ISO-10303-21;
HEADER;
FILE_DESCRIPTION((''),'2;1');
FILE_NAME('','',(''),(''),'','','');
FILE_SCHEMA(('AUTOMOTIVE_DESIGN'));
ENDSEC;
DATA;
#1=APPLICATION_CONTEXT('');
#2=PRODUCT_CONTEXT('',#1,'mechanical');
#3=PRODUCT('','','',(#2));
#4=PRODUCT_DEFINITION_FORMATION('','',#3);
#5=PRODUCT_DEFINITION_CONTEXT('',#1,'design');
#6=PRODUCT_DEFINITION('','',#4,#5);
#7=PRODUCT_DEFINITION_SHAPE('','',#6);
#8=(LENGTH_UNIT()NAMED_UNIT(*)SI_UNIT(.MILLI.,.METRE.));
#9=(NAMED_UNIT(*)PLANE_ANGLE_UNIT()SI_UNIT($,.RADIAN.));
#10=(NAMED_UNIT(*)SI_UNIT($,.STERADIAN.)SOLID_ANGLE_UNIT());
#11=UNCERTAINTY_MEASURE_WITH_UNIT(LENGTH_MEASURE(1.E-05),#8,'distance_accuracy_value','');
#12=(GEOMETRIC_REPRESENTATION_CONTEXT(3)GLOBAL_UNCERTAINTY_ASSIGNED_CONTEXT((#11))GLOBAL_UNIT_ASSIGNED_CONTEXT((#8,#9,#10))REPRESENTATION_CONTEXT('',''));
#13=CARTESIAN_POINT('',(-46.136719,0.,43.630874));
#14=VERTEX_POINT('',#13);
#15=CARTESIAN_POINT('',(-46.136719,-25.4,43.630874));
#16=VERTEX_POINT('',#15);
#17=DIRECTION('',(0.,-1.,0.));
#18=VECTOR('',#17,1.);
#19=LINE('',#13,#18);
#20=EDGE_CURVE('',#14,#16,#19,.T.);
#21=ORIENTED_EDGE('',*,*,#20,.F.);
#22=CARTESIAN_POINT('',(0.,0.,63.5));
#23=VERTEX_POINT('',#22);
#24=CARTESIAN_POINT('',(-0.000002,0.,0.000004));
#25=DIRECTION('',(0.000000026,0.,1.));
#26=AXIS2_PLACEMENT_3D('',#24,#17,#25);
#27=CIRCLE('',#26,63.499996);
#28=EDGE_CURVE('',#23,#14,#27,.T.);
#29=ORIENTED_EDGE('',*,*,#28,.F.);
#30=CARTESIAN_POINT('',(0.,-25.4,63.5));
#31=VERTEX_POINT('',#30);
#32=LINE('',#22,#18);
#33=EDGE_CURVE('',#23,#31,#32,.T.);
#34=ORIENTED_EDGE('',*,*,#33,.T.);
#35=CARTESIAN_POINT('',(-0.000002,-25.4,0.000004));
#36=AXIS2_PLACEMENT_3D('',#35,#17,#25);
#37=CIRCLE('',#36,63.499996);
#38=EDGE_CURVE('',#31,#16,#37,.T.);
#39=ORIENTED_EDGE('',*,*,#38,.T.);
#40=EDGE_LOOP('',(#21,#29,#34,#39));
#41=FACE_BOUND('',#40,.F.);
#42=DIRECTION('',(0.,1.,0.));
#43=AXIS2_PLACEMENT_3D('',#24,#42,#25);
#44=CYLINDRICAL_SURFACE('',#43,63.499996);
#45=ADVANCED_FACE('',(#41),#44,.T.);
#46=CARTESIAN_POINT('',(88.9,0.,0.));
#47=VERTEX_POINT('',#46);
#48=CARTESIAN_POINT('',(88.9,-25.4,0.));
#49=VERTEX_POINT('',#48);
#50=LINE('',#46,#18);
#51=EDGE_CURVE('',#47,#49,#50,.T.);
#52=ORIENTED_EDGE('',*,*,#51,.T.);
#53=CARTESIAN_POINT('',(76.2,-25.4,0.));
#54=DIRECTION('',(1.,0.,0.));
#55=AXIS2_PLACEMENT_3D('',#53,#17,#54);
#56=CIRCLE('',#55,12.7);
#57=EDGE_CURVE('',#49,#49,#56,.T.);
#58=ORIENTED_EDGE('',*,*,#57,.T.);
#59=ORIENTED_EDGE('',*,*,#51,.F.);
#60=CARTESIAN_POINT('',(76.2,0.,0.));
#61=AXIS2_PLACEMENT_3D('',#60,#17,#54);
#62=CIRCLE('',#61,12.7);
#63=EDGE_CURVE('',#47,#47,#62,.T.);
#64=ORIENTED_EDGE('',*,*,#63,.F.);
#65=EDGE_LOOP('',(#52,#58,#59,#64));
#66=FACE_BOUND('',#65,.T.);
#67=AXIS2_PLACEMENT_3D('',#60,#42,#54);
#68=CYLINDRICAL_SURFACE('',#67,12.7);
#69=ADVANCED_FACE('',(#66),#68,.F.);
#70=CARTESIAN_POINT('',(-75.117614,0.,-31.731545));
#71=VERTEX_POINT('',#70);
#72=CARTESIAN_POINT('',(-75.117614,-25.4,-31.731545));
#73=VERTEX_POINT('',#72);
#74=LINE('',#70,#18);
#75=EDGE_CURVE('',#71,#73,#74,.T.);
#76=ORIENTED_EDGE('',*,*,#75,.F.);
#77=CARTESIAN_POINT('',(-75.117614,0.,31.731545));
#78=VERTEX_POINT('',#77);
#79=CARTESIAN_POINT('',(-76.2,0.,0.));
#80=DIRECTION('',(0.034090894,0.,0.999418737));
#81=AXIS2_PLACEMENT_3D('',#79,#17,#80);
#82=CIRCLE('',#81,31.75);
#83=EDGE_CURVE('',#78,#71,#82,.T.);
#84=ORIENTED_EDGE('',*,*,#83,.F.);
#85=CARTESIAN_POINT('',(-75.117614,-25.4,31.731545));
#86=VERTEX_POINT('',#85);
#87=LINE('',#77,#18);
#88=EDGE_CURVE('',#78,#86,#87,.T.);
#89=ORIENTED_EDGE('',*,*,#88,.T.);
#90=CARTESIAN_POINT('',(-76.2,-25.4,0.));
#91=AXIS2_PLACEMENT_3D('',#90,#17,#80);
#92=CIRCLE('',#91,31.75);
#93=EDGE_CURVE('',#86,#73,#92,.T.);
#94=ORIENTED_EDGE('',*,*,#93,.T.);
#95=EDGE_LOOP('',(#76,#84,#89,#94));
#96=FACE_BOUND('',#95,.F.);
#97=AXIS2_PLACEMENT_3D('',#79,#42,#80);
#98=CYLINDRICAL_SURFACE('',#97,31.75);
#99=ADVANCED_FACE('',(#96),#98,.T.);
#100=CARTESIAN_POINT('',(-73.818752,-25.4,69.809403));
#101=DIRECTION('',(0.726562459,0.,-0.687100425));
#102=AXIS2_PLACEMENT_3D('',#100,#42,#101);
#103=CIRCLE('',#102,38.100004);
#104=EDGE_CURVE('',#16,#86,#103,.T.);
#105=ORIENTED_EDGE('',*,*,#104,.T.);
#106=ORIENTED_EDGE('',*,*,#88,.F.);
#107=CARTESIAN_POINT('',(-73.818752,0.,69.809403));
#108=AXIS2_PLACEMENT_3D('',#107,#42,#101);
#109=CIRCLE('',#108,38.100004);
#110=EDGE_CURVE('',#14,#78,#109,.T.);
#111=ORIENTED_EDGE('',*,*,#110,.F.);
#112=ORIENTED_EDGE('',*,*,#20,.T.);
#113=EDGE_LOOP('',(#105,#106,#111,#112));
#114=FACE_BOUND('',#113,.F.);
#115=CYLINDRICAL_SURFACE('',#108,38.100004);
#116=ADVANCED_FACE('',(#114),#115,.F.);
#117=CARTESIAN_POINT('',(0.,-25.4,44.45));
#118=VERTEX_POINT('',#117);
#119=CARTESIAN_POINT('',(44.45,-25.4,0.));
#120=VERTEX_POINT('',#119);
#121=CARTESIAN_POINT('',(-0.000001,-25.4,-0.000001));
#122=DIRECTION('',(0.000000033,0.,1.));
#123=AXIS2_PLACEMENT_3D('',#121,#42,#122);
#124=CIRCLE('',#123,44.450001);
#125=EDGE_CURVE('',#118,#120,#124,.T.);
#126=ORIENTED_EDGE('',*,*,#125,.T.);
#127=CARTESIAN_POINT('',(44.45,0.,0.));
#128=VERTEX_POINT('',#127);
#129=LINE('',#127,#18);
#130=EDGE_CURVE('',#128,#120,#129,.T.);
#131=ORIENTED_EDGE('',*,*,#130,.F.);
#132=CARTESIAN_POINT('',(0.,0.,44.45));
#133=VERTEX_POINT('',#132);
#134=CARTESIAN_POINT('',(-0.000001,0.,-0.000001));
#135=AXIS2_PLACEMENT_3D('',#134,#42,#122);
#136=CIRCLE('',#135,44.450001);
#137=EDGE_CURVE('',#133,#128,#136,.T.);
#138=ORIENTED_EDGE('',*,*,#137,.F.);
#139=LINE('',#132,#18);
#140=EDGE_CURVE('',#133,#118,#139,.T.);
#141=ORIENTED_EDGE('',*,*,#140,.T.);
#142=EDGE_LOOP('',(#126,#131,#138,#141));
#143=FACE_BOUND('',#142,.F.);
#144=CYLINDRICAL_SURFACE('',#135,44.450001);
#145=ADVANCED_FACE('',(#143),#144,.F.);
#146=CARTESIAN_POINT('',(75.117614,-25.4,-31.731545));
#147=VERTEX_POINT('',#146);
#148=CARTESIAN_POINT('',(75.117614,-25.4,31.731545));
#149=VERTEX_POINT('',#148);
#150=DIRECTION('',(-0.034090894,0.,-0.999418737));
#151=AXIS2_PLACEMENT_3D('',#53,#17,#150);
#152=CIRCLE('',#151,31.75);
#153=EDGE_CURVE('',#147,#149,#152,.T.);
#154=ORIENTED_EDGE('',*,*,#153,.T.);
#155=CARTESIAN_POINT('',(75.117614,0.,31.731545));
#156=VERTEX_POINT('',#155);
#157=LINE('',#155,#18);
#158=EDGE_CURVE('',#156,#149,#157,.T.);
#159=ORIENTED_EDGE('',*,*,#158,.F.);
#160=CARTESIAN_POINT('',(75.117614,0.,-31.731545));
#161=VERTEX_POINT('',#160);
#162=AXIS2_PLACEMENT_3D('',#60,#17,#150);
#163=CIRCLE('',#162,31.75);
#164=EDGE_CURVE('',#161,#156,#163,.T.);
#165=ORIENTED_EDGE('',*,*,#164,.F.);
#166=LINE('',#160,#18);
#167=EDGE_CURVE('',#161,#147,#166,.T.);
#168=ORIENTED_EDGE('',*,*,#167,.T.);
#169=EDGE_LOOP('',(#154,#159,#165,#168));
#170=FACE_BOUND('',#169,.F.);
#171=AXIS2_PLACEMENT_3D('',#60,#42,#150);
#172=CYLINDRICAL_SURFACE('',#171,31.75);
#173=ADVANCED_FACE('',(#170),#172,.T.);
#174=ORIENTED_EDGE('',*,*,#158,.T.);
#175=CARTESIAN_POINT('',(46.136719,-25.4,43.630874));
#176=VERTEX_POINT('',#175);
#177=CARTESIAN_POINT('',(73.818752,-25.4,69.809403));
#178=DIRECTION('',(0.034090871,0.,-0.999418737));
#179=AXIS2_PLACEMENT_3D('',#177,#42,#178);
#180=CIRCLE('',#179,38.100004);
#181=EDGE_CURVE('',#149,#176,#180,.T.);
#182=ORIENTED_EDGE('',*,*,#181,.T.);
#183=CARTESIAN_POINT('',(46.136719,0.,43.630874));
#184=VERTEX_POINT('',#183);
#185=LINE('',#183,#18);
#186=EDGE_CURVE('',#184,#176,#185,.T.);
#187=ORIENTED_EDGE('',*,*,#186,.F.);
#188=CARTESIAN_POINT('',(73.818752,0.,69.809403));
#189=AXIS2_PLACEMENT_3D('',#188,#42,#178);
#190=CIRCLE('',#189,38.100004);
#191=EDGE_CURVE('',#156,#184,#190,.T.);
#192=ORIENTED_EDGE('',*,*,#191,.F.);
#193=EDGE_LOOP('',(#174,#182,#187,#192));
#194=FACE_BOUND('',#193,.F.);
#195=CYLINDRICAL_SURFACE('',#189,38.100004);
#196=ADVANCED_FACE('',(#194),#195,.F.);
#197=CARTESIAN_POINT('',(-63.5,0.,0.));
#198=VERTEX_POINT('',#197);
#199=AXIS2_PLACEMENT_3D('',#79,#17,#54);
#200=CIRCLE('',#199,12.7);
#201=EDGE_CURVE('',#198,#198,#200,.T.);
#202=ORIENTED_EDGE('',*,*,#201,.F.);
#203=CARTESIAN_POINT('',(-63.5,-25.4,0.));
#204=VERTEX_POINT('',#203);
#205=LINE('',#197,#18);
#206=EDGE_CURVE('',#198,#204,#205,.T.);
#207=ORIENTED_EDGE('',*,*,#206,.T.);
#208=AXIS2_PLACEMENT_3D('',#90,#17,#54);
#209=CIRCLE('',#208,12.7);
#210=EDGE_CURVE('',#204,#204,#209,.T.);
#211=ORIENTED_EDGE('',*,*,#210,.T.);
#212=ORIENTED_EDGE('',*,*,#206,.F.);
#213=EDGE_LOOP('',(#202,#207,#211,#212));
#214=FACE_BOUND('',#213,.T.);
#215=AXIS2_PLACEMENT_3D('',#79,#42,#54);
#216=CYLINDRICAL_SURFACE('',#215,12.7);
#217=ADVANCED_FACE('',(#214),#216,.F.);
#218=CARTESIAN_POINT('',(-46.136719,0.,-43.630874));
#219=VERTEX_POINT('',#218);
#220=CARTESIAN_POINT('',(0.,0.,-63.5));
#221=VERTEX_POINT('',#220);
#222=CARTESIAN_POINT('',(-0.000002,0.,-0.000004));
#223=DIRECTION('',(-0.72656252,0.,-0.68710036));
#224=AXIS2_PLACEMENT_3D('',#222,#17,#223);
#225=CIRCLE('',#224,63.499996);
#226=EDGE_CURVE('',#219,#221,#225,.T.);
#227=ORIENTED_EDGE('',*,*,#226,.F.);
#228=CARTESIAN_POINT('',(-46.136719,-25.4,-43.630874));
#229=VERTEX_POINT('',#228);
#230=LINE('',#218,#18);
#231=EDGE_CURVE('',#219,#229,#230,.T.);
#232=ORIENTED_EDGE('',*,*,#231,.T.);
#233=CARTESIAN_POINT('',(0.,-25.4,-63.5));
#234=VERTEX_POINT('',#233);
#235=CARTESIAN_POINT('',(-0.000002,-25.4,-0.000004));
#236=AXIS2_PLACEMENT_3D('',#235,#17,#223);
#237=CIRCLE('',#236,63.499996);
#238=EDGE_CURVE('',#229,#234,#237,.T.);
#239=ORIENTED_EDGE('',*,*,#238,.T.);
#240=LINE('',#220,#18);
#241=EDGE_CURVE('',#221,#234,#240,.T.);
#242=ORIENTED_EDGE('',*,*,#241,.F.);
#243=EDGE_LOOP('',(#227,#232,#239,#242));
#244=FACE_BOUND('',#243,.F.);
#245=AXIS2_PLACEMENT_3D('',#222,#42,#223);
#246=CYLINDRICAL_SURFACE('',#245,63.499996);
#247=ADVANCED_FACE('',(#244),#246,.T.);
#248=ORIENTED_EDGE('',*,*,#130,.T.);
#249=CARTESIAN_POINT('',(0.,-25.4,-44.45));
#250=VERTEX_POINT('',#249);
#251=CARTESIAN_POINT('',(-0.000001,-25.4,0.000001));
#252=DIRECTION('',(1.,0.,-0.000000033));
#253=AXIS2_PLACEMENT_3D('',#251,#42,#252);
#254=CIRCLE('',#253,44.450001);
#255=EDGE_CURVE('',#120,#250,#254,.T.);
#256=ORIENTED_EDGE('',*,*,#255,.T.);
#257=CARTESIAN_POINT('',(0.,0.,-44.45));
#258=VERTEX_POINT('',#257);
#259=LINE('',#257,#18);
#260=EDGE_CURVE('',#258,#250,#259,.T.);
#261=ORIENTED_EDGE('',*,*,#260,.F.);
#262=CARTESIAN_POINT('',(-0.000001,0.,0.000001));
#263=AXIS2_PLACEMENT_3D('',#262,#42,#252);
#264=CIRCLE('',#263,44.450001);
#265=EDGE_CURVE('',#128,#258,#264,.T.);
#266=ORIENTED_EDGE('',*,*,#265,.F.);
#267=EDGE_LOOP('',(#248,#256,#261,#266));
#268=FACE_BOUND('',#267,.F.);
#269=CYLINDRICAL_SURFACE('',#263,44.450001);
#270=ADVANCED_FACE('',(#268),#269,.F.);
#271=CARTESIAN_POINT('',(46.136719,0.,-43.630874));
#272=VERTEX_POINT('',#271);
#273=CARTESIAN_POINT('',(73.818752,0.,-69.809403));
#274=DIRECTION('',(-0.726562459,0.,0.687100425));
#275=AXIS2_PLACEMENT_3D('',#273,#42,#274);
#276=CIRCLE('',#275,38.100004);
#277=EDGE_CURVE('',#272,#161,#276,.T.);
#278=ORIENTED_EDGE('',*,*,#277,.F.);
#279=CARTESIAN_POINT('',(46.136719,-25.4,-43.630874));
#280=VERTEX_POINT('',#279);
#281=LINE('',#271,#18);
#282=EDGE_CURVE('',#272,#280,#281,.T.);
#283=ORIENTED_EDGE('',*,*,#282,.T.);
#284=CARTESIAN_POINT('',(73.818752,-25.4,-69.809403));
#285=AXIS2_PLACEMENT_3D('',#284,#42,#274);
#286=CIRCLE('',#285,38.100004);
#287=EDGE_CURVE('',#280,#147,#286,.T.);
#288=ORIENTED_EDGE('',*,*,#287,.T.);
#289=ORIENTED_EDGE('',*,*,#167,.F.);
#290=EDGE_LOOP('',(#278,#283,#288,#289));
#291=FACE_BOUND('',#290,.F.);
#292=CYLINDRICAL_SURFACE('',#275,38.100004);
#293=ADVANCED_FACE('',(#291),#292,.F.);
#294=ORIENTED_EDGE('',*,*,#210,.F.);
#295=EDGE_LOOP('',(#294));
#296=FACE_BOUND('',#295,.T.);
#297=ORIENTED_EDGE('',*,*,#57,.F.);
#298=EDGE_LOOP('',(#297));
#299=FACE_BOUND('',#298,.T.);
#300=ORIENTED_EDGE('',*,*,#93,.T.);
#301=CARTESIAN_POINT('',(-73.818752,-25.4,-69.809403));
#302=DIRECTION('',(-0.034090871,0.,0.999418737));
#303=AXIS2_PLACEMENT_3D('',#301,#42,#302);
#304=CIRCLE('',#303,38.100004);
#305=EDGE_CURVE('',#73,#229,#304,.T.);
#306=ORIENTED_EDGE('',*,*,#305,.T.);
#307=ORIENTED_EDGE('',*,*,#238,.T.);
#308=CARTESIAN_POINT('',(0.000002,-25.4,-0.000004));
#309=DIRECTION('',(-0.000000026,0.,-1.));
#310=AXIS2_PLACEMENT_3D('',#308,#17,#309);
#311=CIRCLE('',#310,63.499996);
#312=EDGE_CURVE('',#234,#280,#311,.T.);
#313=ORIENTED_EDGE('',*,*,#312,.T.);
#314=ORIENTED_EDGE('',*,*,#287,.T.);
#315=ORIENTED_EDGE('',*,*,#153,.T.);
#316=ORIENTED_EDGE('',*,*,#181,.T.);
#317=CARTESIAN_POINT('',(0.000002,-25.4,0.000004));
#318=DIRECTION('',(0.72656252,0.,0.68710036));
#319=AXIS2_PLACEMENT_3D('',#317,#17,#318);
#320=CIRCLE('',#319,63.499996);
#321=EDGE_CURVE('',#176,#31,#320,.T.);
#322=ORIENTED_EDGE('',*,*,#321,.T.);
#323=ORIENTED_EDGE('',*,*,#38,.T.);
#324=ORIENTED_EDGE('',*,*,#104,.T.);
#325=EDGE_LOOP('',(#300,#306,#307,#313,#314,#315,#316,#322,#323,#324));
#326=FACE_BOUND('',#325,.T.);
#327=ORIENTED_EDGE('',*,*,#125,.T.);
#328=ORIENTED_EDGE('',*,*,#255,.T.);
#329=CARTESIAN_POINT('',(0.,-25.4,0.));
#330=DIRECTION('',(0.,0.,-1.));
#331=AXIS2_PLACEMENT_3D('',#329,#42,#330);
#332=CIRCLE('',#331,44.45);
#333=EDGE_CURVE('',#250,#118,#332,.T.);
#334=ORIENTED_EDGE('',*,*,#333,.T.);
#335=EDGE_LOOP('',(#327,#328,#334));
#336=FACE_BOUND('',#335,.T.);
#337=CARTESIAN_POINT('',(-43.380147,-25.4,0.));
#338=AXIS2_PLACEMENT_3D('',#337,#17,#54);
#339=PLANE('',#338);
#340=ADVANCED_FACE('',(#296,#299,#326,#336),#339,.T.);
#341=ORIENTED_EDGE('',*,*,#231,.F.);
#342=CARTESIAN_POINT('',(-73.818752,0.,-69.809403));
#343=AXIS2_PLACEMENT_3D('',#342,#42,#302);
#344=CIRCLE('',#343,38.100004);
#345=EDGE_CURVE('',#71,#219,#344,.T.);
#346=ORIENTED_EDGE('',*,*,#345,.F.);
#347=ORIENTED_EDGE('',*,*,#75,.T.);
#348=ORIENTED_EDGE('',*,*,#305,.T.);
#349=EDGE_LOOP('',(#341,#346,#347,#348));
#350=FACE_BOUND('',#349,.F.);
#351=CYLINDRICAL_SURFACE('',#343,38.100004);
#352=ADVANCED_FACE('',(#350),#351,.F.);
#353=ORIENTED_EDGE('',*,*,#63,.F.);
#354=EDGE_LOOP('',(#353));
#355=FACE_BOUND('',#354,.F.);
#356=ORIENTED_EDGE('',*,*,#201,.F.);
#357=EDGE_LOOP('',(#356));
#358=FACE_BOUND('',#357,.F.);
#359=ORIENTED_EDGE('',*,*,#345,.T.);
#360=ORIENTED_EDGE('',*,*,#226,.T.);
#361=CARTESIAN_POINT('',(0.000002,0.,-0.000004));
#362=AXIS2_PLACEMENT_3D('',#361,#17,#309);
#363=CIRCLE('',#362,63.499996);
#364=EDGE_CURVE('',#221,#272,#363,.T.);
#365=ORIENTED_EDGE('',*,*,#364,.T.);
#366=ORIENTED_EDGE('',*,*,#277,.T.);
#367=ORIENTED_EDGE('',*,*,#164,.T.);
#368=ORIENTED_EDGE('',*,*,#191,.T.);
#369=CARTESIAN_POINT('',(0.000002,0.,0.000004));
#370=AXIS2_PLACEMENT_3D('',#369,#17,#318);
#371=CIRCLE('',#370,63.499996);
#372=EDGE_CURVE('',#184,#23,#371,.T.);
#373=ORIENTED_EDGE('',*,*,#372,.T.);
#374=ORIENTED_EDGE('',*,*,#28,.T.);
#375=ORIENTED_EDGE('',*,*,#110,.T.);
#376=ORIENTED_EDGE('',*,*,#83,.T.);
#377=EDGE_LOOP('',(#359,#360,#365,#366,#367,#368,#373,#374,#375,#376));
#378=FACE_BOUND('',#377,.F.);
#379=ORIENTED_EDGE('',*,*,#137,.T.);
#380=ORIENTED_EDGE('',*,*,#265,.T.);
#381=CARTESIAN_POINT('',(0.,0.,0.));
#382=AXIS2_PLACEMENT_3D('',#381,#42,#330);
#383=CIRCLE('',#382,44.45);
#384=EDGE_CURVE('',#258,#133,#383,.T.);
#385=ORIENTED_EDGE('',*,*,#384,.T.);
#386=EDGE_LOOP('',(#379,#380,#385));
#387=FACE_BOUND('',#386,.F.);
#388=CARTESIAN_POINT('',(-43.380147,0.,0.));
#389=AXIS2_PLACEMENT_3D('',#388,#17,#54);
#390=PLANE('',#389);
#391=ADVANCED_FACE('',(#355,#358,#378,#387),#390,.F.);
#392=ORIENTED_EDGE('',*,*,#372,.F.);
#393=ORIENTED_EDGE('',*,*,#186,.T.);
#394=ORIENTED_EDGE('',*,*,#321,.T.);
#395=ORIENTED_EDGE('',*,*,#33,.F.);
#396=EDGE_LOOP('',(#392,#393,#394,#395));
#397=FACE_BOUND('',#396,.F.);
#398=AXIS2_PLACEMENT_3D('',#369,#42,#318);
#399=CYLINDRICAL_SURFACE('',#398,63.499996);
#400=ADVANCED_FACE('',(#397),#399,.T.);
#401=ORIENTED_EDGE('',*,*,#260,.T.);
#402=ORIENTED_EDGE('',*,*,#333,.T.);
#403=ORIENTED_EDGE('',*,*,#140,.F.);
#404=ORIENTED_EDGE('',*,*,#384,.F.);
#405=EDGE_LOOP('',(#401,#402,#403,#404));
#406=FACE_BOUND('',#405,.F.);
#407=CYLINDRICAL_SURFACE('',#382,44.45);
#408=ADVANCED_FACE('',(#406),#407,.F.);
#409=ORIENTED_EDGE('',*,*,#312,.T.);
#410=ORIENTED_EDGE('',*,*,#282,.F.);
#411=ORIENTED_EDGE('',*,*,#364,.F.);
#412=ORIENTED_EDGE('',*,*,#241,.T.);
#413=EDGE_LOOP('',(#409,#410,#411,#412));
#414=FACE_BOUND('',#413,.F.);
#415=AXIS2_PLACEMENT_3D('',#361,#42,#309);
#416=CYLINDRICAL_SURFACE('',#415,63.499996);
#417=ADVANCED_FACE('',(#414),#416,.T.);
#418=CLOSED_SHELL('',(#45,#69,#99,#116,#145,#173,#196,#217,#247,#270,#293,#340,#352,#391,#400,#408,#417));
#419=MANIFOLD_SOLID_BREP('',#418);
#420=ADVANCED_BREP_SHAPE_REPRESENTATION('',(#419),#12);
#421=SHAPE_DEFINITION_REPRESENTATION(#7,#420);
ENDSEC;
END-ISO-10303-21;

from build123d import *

# Parameters (mm, degrees)
F0_R     = 12.7
F1_DEPTH = 25.4


with BuildPart() as f1:
    # F0 (on Front) → F1 (new body)
    with BuildSketch(Plane.XZ):
        with BuildLine():
            ThreePointArc((0, -44.45), (-44.45, 0), (0, 44.45))
            Line((0, 44.45), (0, 63.5))
            ThreePointArc((0, 63.5), (-25.116623, 58.321568), (-46.136719, 43.630874))
            ThreePointArc((-46.136719, 43.630874), (-59.347524, 34.564632), (-75.117614, 31.731545))
            ThreePointArc((-75.117614, 31.731545), (-107.95, 0), (-75.117614, -31.731545))
            ThreePointArc((-75.117614, -31.731545), (-59.347524, -34.564632), (-46.136719, -43.630874))
            ThreePointArc((-46.136719, -43.630874), (-25.116623, -58.321568), (0, -63.5))
            Line((0, -63.5), (0, -44.45))
        make_face()
        with Locations((-76.2, 0)):
            Circle(F0_R, mode=Mode.SUBTRACT)
        with BuildLine():
            ThreePointArc((0, 44.45), (31.430896, 31.430896), (44.45, 0))
            ThreePointArc((44.45, 0), (31.430896, -31.430896), (0, -44.45))
            Line((0, -44.45), (0, -63.5))
            ThreePointArc((0, -63.5), (25.116623, -58.321568), (46.136719, -43.630874))
            ThreePointArc((46.136719, -43.630874), (59.347524, -34.564632), (75.117614, -31.731545))
            ThreePointArc((75.117614, -31.731545), (107.95, 0), (75.117614, 31.731545))
            ThreePointArc((75.117614, 31.731545), (59.347524, 34.564632), (46.136719, 43.630874))
            ThreePointArc((46.136719, 43.630874), (25.116623, 58.321568), (0, 63.5))
            Line((0, 63.5), (0, 44.45))
        make_face()
        with Locations((76.2, 0)):
            Circle(F0_R, mode=Mode.SUBTRACT)
    extrude(amount=F1_DEPTH)


solid = f1.part
